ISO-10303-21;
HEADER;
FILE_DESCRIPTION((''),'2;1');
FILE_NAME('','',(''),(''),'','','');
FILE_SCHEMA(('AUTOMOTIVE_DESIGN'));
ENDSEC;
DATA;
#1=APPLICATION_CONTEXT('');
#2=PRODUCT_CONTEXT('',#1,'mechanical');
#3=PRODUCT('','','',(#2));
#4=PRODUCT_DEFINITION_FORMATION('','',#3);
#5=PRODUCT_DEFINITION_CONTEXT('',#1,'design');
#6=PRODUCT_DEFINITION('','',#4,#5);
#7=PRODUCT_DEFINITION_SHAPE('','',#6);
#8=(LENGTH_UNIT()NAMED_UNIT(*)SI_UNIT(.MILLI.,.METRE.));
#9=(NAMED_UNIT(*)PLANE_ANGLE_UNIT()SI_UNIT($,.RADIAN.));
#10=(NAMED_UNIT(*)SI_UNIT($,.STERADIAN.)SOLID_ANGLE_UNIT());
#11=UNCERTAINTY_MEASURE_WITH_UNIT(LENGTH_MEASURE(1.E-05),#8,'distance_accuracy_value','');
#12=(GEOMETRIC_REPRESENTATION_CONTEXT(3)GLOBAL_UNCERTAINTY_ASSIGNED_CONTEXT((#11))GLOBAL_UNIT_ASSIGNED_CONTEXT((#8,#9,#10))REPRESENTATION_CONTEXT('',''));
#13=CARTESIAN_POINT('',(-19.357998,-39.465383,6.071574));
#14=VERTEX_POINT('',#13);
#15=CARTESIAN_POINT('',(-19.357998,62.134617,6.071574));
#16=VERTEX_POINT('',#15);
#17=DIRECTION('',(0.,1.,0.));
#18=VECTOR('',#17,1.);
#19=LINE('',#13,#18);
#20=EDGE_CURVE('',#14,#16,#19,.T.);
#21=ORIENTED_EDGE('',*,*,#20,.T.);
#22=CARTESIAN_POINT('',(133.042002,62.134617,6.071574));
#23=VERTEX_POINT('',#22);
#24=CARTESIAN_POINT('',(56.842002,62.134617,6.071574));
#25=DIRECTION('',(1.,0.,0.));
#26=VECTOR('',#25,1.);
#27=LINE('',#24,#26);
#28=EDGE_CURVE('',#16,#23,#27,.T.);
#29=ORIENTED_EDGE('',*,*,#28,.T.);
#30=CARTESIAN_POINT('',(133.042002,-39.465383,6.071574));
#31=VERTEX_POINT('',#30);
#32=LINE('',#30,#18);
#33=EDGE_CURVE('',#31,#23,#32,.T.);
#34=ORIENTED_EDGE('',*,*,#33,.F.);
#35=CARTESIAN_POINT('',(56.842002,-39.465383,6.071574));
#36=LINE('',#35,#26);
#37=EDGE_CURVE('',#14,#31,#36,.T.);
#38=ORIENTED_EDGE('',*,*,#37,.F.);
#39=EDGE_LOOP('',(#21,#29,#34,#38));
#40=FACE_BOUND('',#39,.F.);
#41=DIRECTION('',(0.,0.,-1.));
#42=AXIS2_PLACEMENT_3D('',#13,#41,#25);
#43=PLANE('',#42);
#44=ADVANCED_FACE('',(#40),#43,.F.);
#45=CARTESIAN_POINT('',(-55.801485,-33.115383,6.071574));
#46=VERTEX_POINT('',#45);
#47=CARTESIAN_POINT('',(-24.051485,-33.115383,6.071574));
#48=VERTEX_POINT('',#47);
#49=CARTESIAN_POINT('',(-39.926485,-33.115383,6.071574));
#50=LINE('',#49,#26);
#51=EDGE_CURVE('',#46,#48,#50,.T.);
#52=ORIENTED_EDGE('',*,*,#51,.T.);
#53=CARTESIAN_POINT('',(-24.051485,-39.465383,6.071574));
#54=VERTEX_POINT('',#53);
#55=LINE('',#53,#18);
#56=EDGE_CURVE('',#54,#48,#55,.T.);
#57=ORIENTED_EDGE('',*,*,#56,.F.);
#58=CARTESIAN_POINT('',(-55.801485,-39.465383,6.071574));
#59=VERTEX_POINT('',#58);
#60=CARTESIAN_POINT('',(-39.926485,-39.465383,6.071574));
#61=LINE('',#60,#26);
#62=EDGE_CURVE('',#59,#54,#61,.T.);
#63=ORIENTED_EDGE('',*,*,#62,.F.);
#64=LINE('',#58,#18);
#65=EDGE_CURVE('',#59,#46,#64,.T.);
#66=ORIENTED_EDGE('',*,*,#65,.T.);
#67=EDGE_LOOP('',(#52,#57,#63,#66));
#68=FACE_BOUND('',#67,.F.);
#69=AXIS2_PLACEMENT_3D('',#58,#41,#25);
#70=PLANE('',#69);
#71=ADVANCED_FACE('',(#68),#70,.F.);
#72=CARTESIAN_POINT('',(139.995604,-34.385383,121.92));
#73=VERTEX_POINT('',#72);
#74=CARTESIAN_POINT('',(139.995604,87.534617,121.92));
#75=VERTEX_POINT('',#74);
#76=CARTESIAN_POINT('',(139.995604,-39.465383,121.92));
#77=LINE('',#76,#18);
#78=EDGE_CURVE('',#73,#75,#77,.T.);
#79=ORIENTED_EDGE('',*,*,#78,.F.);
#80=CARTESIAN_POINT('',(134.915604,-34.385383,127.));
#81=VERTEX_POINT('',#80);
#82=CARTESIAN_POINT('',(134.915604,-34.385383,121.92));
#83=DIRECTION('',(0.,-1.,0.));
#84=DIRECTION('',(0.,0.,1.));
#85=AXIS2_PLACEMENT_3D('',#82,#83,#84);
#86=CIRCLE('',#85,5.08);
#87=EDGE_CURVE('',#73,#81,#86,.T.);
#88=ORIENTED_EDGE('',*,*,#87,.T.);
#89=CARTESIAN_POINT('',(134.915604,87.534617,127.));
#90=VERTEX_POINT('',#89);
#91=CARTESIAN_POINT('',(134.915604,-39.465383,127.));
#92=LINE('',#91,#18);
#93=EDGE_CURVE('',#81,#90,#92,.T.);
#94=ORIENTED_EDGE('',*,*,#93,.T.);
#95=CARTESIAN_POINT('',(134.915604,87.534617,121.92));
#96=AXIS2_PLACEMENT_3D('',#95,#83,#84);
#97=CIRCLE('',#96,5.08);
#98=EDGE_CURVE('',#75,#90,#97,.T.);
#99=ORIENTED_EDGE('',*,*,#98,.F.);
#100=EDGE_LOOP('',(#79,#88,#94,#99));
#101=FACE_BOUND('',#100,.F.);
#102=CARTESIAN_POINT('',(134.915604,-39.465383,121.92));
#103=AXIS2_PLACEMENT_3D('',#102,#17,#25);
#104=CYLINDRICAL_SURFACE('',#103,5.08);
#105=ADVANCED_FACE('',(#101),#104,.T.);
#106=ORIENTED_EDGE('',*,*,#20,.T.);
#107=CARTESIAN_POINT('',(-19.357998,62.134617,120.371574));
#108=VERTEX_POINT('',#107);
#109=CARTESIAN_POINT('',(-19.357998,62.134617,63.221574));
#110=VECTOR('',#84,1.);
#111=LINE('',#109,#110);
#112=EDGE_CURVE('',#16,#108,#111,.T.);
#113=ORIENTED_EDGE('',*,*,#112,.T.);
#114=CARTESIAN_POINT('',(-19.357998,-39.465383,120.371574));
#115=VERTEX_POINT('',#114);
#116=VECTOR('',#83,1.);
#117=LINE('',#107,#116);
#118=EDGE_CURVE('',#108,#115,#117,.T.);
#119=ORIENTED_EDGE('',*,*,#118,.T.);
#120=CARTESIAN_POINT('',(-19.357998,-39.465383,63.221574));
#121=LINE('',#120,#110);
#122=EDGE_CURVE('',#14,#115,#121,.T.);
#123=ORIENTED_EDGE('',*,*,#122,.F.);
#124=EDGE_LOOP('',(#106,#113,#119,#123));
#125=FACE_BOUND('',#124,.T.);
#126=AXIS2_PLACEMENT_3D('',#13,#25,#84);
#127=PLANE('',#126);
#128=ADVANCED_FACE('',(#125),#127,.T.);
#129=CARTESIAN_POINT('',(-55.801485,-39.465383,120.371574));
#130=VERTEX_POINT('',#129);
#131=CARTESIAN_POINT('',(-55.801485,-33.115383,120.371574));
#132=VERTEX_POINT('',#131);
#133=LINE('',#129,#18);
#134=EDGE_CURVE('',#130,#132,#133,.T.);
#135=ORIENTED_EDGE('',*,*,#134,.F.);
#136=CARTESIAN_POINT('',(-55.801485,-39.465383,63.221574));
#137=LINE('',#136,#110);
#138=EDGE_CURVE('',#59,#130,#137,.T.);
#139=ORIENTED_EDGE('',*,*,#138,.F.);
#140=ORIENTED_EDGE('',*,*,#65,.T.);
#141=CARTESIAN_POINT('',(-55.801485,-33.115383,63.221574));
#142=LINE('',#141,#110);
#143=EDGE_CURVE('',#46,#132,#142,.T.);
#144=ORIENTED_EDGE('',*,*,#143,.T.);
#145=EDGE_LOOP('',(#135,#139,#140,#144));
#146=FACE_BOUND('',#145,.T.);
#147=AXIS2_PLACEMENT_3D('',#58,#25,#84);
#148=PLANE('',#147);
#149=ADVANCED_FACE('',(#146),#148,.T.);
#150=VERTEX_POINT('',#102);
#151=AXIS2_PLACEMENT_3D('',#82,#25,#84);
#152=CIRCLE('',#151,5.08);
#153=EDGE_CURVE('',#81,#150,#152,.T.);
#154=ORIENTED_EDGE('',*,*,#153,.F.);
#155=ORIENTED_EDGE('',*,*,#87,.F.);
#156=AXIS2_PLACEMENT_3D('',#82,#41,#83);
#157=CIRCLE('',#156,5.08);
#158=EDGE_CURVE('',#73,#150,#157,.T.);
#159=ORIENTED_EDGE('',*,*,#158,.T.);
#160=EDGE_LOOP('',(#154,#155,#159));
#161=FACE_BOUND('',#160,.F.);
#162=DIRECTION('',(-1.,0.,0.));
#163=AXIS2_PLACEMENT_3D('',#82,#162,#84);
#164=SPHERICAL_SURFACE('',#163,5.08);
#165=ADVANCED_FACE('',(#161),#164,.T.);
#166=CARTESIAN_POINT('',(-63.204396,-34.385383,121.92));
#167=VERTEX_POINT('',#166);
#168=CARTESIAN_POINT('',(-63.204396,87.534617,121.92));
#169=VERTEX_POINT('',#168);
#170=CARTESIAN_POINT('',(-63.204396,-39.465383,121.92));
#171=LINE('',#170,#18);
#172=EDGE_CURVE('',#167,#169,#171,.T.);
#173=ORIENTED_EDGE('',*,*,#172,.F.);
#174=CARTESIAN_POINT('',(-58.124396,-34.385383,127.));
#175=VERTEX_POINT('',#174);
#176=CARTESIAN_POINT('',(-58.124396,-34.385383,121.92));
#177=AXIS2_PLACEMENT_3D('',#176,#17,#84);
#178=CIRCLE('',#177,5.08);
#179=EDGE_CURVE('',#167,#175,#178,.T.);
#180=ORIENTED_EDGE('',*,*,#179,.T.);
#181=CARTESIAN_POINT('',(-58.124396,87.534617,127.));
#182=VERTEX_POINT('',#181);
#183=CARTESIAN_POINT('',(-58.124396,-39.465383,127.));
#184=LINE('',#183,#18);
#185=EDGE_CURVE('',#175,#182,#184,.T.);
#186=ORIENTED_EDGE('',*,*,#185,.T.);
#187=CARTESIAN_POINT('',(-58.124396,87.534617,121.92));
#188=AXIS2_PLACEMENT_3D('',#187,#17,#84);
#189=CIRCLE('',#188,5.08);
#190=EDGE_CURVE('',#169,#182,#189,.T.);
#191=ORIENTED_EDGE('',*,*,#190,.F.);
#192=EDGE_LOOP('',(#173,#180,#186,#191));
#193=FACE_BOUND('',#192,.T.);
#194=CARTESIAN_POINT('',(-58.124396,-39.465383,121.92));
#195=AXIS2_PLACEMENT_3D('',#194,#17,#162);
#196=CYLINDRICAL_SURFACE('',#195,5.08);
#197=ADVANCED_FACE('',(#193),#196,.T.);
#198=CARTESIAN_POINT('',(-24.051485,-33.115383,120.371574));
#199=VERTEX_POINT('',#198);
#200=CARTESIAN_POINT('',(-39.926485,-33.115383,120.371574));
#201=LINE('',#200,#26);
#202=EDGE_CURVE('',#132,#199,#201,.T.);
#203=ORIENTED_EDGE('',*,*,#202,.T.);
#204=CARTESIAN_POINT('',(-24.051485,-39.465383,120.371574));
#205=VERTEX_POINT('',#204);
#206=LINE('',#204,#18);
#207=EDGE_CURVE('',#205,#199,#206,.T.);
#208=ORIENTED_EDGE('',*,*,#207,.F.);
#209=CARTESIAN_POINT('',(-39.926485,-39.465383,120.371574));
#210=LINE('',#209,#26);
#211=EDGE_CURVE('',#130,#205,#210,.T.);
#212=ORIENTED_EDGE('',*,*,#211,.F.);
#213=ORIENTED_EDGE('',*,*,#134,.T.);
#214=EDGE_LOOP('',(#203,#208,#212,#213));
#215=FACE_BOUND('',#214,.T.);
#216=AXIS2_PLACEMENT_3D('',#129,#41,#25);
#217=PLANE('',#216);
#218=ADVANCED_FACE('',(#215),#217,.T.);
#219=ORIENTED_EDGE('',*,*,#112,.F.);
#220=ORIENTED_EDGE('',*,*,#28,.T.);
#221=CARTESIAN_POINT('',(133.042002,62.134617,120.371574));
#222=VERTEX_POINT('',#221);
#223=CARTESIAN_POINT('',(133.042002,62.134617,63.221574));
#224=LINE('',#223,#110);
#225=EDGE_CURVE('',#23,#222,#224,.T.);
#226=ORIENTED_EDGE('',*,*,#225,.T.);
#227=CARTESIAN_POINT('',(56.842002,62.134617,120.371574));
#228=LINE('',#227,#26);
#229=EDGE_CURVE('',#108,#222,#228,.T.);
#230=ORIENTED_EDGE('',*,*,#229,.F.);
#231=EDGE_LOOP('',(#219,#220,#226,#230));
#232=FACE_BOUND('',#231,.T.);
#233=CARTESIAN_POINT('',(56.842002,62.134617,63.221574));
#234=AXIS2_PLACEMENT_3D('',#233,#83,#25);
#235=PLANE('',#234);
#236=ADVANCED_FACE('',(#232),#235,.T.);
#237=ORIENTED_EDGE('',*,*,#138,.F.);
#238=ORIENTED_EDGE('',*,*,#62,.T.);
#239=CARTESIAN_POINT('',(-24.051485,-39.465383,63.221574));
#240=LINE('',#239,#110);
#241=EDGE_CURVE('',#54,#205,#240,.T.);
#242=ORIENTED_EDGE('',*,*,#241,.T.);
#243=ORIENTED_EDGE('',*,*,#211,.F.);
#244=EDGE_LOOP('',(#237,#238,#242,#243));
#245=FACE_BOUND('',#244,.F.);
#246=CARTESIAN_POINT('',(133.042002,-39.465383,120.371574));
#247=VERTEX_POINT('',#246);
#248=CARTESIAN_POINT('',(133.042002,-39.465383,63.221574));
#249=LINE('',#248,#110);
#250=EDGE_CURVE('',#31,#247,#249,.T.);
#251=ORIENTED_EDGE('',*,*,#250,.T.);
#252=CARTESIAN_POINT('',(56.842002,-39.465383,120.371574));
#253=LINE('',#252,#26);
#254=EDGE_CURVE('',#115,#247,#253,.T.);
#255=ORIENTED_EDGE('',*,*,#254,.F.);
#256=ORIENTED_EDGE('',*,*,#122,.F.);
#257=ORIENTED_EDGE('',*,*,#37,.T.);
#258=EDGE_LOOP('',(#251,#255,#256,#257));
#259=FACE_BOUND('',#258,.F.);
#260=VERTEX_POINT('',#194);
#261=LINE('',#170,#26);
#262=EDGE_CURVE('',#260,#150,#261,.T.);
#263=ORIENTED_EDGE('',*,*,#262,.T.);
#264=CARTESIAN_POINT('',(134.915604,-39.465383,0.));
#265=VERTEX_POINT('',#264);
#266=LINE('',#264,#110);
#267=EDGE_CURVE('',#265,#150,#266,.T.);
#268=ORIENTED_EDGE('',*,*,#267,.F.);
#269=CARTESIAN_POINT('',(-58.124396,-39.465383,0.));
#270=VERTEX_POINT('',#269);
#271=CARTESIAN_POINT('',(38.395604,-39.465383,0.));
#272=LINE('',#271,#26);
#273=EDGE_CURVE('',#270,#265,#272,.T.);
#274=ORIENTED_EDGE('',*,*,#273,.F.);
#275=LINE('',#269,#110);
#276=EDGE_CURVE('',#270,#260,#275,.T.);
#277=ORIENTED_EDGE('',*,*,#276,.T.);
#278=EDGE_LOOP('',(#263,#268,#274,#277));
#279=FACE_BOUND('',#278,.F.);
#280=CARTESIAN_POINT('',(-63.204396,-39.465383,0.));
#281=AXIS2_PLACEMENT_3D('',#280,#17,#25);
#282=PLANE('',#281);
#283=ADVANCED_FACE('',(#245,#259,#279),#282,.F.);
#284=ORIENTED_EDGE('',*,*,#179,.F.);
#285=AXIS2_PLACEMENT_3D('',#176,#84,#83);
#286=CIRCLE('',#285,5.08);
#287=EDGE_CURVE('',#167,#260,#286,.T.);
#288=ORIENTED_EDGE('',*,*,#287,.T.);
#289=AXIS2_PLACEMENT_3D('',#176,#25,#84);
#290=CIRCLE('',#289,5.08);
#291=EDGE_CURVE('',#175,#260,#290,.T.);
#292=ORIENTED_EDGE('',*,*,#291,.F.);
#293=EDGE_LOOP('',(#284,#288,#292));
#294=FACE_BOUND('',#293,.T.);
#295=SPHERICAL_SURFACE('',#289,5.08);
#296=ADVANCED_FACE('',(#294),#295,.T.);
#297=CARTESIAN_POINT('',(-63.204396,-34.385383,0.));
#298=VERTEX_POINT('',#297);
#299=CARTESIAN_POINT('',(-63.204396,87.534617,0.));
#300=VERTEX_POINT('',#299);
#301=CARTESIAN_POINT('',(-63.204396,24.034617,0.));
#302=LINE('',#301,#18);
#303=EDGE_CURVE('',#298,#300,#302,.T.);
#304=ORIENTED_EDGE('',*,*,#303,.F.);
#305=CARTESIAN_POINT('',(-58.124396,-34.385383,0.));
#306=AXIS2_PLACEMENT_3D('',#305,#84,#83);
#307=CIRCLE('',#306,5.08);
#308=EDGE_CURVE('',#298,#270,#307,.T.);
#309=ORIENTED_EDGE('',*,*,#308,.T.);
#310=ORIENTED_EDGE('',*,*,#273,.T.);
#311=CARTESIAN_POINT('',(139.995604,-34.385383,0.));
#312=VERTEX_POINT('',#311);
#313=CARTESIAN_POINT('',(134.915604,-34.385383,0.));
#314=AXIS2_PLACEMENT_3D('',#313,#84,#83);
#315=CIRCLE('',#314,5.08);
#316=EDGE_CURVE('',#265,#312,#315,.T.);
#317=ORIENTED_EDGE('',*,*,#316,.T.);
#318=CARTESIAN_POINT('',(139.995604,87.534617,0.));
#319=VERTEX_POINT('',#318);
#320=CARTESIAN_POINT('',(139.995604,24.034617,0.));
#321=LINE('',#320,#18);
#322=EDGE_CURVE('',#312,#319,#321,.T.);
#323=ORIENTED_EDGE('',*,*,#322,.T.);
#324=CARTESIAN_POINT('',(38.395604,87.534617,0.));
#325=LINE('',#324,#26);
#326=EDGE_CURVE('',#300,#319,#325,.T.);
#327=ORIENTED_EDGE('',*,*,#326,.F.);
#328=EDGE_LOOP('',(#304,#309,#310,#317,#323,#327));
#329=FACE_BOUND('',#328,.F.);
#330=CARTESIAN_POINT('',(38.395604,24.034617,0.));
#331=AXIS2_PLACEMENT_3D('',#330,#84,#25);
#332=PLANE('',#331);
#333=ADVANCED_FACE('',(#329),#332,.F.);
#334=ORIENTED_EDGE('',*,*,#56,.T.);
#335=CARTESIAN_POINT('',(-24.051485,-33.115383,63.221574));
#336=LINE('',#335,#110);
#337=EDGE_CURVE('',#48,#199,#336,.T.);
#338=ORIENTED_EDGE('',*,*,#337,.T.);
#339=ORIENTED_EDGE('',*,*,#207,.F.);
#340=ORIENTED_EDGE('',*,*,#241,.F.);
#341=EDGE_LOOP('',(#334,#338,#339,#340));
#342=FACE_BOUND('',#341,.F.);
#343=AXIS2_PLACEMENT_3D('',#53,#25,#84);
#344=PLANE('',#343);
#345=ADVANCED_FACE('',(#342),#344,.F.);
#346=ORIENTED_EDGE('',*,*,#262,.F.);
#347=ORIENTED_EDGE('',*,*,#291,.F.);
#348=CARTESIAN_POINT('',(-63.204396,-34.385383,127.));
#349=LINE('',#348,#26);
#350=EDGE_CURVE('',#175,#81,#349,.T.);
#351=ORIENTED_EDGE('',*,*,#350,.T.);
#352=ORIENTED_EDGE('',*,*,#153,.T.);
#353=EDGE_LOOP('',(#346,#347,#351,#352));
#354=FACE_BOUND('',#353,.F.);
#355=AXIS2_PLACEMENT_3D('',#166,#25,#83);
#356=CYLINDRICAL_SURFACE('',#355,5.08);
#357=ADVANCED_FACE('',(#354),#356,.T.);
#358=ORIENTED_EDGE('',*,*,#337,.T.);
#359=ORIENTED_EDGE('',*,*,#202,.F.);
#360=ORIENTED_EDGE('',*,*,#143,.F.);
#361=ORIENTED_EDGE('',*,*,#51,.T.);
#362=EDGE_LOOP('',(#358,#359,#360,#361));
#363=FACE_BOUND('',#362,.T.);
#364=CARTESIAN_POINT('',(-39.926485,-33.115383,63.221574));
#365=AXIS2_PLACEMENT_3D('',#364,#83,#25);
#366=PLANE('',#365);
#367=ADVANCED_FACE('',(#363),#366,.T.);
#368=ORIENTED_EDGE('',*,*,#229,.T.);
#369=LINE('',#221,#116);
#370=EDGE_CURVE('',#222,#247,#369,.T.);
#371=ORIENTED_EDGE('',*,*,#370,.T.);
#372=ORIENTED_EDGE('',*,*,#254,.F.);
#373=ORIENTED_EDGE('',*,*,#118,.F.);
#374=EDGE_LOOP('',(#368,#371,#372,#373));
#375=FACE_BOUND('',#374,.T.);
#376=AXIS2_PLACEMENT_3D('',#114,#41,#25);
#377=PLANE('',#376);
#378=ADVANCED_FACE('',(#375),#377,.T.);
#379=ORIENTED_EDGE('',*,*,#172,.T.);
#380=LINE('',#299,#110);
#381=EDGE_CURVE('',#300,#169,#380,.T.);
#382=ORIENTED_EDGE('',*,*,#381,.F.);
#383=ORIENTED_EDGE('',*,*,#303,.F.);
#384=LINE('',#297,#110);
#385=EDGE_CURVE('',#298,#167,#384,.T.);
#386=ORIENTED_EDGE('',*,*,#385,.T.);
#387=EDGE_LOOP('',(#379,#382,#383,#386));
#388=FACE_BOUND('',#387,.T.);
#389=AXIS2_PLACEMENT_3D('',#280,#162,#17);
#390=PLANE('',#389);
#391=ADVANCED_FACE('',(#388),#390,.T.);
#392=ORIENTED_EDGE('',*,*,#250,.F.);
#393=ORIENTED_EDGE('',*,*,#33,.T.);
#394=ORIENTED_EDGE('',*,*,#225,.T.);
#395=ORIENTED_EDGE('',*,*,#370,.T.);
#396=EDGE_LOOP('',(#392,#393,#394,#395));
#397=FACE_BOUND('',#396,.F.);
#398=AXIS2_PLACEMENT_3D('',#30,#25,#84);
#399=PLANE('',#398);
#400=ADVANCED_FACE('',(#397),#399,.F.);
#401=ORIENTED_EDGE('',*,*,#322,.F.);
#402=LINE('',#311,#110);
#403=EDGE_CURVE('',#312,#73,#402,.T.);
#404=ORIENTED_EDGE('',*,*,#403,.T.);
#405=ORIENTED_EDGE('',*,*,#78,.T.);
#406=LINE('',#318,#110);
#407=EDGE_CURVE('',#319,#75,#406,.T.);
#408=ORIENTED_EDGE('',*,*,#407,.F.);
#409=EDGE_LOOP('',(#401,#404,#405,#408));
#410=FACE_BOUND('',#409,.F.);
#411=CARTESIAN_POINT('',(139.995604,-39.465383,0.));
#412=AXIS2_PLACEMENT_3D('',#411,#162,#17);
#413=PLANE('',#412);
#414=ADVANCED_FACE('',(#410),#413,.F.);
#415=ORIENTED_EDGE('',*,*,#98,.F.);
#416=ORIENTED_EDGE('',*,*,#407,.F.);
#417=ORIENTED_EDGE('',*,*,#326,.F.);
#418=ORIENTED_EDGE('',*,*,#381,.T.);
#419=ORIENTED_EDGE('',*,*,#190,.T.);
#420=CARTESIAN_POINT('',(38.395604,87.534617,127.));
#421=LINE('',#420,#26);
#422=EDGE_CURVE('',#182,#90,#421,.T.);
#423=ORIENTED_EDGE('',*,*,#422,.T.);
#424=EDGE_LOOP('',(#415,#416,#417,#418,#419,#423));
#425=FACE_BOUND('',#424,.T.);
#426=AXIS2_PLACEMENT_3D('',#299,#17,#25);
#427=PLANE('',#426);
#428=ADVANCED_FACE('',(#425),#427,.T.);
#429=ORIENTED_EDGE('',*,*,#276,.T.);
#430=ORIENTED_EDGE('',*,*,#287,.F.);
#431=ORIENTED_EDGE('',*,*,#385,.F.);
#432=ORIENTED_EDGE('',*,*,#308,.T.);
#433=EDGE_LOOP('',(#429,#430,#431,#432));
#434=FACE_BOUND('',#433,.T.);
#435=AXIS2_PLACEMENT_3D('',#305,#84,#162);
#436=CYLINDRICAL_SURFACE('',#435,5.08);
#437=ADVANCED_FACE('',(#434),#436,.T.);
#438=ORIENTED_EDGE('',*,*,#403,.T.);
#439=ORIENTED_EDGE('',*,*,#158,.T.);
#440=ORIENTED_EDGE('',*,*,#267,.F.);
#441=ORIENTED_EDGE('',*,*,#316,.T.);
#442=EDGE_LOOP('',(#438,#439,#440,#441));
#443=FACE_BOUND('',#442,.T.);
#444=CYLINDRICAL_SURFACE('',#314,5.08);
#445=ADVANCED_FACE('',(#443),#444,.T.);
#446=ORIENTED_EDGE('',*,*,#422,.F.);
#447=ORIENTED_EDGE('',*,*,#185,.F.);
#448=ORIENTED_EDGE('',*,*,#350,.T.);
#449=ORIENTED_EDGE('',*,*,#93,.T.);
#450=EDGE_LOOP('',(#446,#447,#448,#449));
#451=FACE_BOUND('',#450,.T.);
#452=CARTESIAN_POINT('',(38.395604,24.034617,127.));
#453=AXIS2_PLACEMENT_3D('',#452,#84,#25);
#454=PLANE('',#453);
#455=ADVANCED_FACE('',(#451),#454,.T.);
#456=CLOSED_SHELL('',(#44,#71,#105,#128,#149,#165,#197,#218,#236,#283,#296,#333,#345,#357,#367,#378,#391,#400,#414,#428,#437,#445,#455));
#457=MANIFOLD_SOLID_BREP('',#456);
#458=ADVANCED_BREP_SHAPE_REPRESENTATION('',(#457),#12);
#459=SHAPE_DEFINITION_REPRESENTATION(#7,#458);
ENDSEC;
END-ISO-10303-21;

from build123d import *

# Parameters (mm, degrees)
F0_W     = 203.2
F0_H     = 127
F1_DEPTH = 127
F2_R     = 5.08
F3_W     = 152.4
F3_H     = 114.3
F4_DEPTH = 101.6
F3_W_2   = 31.75
F5_DEPTH = 6.35


with BuildPart() as f1:
    # F0 (on Top) → F1 (new body)
    with BuildSketch(Plane.XY):
        with Locations((38.395604, 24.034617)):
            Rectangle(F0_W, F0_H)
    extrude(amount=F1_DEPTH)

    # F2
    f2_edges = [f1.edges().sort_by_distance(p)[0] for p in [
        (38.395604, -39.465383, 127),
        (-63.204396, 24.034617, 127),
        (139.995604, 24.034617, 127),
        (139.995604, -39.465383, 63.5),
        (-63.204396, -39.465383, 63.5),
    ]]
    fillet(f2_edges, radius=F2_R)

    # F3 (on face) → F4 (cut)
    with BuildSketch(Plane.XZ.offset(39.465383)):
        with Locations((56.842002, 63.221574)):
            Rectangle(F3_W, F3_H)
    extrude(amount=-F4_DEPTH, mode=Mode.SUBTRACT)

    # F3 (on face) → F5 (cut)
    with BuildSketch(Plane.XZ.offset(39.465383)):
        with Locations((56.842002, 63.221574)):
            Rectangle(F3_W, F3_H)
        with Locations((-39.926485, 63.221574)):
            Rectangle(F3_W_2, F3_H)
    extrude(amount=-F5_DEPTH, mode=Mode.SUBTRACT)


solid = f1.part
